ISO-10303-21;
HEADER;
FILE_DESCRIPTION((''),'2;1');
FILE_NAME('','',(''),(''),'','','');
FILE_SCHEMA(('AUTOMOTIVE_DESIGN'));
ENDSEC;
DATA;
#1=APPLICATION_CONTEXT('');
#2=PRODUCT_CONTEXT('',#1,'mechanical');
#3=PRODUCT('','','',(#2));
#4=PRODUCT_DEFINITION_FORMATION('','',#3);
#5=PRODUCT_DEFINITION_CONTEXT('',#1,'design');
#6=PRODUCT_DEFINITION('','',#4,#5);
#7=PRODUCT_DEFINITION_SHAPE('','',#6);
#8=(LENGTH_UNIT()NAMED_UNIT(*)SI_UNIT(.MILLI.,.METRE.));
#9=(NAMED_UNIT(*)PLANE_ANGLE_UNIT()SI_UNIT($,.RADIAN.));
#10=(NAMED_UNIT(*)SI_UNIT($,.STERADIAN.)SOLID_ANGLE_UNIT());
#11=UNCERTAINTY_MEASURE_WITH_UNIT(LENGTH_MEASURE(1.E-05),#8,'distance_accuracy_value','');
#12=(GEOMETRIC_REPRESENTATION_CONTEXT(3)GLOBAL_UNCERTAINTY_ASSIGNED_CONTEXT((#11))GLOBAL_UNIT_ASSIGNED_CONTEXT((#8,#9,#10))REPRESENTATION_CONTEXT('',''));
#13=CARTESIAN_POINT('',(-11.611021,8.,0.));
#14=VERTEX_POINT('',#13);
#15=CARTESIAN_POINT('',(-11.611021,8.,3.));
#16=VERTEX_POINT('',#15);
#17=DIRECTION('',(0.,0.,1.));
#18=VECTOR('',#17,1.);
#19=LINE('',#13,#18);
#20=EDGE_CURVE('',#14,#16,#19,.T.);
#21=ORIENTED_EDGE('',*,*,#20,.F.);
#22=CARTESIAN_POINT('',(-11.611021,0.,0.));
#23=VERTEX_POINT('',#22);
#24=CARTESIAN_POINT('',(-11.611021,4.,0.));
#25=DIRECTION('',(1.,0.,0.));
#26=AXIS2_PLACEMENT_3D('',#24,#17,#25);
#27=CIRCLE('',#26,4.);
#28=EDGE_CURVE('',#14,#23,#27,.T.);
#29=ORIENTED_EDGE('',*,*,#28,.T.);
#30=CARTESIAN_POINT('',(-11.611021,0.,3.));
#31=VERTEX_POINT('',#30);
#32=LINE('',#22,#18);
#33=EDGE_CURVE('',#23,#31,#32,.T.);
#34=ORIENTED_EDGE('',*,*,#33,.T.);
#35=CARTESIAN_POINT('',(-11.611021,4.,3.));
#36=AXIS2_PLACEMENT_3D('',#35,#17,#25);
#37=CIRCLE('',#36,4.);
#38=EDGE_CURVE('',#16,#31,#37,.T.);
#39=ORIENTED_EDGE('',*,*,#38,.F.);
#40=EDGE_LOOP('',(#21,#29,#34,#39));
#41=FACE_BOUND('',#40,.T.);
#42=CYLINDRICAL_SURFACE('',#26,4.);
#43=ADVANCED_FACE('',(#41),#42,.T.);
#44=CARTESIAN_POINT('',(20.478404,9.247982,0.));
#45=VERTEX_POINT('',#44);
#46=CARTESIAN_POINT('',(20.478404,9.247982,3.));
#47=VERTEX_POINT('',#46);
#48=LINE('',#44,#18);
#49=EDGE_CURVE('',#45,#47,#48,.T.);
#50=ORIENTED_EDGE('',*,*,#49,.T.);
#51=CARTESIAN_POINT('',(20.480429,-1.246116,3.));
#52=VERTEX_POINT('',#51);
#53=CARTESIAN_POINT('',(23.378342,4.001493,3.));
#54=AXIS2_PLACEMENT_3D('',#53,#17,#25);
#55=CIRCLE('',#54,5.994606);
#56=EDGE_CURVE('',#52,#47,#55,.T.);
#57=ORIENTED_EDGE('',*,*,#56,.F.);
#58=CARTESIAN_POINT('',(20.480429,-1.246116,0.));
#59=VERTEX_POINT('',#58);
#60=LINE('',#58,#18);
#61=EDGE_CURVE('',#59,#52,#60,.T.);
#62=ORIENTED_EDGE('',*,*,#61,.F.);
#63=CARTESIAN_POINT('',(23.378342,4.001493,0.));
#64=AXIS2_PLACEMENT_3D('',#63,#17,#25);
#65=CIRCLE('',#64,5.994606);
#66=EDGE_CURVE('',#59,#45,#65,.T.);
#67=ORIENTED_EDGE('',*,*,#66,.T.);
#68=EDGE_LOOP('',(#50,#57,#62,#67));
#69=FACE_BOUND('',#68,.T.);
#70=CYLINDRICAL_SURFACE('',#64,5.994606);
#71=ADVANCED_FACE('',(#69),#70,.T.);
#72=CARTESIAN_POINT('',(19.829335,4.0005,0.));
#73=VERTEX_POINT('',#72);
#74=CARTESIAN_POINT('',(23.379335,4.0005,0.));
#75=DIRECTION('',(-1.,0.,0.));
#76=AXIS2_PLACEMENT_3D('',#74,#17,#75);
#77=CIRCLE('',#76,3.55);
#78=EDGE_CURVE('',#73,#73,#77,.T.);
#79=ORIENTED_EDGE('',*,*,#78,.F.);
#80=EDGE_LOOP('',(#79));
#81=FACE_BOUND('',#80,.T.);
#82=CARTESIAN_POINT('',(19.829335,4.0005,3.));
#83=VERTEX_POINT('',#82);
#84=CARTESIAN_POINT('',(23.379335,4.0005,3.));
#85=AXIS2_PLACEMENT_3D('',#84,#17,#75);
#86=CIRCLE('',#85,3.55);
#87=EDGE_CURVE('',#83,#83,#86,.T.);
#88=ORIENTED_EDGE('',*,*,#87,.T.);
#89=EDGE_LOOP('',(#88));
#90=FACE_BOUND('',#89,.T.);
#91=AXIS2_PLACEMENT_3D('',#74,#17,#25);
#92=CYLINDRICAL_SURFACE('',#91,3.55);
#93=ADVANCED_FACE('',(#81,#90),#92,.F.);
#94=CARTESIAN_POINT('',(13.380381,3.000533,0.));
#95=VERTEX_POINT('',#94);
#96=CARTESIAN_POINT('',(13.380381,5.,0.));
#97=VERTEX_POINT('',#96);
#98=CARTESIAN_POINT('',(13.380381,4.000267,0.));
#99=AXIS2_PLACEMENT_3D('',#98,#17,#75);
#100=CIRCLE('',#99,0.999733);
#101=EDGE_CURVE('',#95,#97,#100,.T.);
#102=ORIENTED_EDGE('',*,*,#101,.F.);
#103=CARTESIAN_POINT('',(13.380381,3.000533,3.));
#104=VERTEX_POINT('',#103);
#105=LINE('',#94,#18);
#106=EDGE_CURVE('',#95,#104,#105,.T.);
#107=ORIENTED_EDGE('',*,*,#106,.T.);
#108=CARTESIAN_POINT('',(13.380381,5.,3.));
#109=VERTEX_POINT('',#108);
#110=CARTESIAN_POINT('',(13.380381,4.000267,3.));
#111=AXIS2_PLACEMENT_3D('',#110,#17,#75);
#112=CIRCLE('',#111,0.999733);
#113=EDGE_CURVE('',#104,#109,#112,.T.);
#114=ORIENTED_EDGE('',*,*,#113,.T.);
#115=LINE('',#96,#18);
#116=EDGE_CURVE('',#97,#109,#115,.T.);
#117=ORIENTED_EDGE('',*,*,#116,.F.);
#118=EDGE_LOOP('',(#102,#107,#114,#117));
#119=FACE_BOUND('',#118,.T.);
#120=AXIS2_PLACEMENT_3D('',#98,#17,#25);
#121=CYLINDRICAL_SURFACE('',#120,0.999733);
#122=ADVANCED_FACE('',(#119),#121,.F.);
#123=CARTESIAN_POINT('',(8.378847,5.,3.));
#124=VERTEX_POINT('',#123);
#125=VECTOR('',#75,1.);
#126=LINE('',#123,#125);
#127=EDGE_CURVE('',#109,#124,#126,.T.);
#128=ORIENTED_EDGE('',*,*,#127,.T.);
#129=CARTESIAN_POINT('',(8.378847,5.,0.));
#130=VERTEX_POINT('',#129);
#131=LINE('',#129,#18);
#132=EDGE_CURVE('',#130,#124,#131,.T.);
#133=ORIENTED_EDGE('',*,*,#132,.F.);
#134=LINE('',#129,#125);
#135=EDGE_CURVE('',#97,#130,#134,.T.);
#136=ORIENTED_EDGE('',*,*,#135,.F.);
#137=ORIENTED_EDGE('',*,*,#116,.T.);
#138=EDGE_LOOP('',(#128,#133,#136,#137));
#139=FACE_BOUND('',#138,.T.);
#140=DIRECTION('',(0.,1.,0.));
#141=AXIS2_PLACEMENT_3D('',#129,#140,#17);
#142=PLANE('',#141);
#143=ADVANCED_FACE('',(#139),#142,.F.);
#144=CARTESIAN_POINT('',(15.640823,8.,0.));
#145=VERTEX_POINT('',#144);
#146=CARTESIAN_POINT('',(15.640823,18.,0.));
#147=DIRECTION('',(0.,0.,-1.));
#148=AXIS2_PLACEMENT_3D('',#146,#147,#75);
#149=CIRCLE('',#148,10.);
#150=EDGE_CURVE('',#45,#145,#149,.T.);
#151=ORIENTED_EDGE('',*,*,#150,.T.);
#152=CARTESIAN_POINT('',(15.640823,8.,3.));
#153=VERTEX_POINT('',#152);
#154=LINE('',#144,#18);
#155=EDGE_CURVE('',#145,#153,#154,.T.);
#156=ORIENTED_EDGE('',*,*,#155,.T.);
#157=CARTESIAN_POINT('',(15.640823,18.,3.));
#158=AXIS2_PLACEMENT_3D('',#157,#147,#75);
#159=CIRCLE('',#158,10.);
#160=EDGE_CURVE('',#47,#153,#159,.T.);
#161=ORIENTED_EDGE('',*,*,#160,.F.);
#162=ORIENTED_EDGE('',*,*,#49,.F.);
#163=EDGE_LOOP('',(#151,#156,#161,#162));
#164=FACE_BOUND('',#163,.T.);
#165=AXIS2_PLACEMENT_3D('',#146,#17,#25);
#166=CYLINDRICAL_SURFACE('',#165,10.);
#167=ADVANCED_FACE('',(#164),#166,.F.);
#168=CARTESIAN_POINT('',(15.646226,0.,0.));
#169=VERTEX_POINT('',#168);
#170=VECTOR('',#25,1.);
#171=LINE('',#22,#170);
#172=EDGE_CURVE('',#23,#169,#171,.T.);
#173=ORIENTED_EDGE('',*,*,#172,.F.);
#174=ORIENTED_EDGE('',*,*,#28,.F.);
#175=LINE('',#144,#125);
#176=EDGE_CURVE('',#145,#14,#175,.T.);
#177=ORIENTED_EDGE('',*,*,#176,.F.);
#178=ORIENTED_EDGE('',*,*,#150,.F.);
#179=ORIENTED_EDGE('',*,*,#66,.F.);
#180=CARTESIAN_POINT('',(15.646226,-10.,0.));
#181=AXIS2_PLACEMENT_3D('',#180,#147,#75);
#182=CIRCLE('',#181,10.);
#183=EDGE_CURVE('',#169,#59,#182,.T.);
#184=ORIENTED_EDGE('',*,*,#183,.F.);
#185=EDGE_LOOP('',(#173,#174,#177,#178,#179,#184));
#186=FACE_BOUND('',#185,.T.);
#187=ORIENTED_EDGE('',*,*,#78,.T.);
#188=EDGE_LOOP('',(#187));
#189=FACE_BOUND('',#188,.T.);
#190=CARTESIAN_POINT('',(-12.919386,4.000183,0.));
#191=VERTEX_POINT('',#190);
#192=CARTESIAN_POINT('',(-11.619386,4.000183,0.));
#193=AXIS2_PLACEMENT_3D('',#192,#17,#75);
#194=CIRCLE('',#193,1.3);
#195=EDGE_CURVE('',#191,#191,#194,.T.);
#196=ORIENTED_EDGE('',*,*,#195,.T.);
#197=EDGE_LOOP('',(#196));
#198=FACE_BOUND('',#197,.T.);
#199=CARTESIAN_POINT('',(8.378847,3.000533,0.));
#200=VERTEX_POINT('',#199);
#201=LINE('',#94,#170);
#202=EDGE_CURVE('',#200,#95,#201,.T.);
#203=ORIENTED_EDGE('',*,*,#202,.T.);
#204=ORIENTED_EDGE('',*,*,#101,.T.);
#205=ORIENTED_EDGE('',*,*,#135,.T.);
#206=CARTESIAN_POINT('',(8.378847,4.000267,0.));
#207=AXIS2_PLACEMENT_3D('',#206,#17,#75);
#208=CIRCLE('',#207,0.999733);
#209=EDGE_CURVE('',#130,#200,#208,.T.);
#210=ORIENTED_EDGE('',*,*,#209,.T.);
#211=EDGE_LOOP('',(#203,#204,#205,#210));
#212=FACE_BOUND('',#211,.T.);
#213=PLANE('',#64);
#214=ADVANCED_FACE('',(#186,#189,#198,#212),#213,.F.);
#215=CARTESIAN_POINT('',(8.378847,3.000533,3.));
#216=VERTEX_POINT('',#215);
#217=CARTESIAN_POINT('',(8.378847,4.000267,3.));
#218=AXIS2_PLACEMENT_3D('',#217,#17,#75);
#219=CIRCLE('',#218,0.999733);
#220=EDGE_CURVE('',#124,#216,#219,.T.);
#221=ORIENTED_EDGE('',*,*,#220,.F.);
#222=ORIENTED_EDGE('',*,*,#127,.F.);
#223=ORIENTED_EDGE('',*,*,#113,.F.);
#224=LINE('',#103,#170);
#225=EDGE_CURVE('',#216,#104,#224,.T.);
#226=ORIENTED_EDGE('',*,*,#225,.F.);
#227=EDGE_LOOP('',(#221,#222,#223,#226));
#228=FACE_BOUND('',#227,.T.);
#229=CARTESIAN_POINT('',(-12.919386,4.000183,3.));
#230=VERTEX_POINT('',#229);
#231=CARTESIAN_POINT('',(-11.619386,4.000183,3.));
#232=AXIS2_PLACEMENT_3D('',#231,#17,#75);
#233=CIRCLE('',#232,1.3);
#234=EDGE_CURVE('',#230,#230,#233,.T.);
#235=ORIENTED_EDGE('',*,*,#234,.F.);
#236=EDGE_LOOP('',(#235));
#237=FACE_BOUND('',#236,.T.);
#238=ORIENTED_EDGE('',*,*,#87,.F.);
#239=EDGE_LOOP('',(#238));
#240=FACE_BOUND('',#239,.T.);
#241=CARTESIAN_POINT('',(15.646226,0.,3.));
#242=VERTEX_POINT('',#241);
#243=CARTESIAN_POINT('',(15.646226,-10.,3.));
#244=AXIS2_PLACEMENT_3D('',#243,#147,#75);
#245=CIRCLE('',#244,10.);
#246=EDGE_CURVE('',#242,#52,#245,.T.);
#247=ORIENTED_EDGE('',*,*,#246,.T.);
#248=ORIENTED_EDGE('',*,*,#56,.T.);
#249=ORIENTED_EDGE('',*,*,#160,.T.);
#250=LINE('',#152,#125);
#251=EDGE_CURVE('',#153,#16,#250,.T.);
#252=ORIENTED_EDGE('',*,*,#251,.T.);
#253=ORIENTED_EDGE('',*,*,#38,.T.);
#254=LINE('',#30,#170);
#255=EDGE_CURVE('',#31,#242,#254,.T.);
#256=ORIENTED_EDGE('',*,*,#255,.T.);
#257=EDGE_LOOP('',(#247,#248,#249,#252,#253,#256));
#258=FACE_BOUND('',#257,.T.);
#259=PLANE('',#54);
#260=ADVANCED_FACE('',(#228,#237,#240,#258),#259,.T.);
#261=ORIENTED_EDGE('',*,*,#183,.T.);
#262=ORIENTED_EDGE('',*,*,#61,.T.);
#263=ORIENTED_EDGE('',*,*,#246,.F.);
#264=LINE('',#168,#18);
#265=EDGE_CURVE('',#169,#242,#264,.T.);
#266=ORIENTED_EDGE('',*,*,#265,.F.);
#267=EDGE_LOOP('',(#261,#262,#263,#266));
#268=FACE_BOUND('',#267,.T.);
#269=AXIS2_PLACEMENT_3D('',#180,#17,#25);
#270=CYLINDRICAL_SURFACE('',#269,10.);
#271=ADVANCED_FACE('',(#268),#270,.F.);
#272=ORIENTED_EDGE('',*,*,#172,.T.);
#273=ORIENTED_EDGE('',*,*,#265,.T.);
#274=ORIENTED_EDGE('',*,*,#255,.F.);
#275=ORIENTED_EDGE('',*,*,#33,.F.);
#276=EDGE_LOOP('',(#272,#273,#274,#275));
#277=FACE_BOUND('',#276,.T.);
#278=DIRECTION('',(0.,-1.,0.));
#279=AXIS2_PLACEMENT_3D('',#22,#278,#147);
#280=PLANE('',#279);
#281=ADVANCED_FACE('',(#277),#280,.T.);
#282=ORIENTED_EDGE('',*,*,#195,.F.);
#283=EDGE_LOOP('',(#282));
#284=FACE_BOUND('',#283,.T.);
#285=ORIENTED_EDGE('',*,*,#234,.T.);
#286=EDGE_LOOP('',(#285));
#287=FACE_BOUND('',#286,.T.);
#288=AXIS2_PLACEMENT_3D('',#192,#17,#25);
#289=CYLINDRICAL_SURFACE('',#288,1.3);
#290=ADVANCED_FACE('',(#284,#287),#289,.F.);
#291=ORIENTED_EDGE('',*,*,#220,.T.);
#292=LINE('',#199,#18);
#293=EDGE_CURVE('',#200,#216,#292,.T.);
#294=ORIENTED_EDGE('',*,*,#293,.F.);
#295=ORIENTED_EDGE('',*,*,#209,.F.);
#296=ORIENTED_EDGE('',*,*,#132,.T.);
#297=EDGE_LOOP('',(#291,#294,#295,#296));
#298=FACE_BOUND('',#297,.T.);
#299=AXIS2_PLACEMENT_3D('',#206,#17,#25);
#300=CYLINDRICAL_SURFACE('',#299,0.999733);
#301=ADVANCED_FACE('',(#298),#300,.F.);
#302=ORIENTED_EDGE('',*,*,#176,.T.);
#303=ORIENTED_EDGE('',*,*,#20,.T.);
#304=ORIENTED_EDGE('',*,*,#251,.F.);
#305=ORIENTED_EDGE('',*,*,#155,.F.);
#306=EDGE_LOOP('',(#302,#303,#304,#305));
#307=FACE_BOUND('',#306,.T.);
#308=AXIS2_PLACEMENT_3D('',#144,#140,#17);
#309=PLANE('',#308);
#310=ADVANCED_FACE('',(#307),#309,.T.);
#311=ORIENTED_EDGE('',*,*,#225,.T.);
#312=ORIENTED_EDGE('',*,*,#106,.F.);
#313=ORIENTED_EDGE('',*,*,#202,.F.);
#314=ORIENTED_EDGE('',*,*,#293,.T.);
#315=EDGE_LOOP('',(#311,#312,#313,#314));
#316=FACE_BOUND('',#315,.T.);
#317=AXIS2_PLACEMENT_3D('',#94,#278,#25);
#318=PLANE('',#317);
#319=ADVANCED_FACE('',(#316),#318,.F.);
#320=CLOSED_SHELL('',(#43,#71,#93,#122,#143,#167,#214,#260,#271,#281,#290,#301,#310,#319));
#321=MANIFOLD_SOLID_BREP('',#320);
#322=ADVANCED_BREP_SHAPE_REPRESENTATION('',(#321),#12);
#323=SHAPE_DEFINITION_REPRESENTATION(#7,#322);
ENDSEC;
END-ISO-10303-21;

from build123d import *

# Parameters (mm, degrees)
SKETCH_1_R      = 1.3
SKETCH_1_R_2    = 3.55
EXTRUDE_1_DEPTH = 3


with BuildPart() as part:
    # 草图1 → 凸台-拉伸1 (new body)
    with BuildSketch(Plane.XY.offset(3)):
        with BuildLine():
            Line((15.64082314, 8), (-11.611020882, 8))
            ThreePointArc((-11.611020882, 8), (-15.611020882, 4), (-11.611020882, 0))
            Line((-11.611020882, 0), (15.646226321, 0))
            ThreePointArc((15.646226321, 0), (18.142339112, -0.316538794), (20.480428598, -1.246115814))
            ThreePointArc((20.480428598, -1.246115814), (29.372947843, 4.002649377), (20.478403544, 9.247982185))
            ThreePointArc((20.478403544, 9.247982185), (18.13880451, 8.317020651), (15.64082314, 8))
        make_face()
        with Locations(Location((-11.619385977, 4.000182729, 0), (0, 0, 180))):
            Circle(SKETCH_1_R, mode=Mode.SUBTRACT)
        with Locations(Location((23.379334845, 4.0005, 0), (0, 0, 180))):
            Circle(SKETCH_1_R_2, mode=Mode.SUBTRACT)
        with BuildLine():
            Line((13.380380647, 3.000533249), (8.378847398, 3.000533249))
            ThreePointArc((8.378847398, 3.000533249), (7.379114023, 4.000266624), (8.378847398, 5))
            Line((8.378847398, 5), (13.380380647, 5))
            ThreePointArc((13.380380647, 5), (14.380114023, 4.000266624), (13.380380647, 3.000533249))
        make_face(mode=Mode.SUBTRACT)
    extrude(amount=-EXTRUDE_1_DEPTH)


solid = part.part
